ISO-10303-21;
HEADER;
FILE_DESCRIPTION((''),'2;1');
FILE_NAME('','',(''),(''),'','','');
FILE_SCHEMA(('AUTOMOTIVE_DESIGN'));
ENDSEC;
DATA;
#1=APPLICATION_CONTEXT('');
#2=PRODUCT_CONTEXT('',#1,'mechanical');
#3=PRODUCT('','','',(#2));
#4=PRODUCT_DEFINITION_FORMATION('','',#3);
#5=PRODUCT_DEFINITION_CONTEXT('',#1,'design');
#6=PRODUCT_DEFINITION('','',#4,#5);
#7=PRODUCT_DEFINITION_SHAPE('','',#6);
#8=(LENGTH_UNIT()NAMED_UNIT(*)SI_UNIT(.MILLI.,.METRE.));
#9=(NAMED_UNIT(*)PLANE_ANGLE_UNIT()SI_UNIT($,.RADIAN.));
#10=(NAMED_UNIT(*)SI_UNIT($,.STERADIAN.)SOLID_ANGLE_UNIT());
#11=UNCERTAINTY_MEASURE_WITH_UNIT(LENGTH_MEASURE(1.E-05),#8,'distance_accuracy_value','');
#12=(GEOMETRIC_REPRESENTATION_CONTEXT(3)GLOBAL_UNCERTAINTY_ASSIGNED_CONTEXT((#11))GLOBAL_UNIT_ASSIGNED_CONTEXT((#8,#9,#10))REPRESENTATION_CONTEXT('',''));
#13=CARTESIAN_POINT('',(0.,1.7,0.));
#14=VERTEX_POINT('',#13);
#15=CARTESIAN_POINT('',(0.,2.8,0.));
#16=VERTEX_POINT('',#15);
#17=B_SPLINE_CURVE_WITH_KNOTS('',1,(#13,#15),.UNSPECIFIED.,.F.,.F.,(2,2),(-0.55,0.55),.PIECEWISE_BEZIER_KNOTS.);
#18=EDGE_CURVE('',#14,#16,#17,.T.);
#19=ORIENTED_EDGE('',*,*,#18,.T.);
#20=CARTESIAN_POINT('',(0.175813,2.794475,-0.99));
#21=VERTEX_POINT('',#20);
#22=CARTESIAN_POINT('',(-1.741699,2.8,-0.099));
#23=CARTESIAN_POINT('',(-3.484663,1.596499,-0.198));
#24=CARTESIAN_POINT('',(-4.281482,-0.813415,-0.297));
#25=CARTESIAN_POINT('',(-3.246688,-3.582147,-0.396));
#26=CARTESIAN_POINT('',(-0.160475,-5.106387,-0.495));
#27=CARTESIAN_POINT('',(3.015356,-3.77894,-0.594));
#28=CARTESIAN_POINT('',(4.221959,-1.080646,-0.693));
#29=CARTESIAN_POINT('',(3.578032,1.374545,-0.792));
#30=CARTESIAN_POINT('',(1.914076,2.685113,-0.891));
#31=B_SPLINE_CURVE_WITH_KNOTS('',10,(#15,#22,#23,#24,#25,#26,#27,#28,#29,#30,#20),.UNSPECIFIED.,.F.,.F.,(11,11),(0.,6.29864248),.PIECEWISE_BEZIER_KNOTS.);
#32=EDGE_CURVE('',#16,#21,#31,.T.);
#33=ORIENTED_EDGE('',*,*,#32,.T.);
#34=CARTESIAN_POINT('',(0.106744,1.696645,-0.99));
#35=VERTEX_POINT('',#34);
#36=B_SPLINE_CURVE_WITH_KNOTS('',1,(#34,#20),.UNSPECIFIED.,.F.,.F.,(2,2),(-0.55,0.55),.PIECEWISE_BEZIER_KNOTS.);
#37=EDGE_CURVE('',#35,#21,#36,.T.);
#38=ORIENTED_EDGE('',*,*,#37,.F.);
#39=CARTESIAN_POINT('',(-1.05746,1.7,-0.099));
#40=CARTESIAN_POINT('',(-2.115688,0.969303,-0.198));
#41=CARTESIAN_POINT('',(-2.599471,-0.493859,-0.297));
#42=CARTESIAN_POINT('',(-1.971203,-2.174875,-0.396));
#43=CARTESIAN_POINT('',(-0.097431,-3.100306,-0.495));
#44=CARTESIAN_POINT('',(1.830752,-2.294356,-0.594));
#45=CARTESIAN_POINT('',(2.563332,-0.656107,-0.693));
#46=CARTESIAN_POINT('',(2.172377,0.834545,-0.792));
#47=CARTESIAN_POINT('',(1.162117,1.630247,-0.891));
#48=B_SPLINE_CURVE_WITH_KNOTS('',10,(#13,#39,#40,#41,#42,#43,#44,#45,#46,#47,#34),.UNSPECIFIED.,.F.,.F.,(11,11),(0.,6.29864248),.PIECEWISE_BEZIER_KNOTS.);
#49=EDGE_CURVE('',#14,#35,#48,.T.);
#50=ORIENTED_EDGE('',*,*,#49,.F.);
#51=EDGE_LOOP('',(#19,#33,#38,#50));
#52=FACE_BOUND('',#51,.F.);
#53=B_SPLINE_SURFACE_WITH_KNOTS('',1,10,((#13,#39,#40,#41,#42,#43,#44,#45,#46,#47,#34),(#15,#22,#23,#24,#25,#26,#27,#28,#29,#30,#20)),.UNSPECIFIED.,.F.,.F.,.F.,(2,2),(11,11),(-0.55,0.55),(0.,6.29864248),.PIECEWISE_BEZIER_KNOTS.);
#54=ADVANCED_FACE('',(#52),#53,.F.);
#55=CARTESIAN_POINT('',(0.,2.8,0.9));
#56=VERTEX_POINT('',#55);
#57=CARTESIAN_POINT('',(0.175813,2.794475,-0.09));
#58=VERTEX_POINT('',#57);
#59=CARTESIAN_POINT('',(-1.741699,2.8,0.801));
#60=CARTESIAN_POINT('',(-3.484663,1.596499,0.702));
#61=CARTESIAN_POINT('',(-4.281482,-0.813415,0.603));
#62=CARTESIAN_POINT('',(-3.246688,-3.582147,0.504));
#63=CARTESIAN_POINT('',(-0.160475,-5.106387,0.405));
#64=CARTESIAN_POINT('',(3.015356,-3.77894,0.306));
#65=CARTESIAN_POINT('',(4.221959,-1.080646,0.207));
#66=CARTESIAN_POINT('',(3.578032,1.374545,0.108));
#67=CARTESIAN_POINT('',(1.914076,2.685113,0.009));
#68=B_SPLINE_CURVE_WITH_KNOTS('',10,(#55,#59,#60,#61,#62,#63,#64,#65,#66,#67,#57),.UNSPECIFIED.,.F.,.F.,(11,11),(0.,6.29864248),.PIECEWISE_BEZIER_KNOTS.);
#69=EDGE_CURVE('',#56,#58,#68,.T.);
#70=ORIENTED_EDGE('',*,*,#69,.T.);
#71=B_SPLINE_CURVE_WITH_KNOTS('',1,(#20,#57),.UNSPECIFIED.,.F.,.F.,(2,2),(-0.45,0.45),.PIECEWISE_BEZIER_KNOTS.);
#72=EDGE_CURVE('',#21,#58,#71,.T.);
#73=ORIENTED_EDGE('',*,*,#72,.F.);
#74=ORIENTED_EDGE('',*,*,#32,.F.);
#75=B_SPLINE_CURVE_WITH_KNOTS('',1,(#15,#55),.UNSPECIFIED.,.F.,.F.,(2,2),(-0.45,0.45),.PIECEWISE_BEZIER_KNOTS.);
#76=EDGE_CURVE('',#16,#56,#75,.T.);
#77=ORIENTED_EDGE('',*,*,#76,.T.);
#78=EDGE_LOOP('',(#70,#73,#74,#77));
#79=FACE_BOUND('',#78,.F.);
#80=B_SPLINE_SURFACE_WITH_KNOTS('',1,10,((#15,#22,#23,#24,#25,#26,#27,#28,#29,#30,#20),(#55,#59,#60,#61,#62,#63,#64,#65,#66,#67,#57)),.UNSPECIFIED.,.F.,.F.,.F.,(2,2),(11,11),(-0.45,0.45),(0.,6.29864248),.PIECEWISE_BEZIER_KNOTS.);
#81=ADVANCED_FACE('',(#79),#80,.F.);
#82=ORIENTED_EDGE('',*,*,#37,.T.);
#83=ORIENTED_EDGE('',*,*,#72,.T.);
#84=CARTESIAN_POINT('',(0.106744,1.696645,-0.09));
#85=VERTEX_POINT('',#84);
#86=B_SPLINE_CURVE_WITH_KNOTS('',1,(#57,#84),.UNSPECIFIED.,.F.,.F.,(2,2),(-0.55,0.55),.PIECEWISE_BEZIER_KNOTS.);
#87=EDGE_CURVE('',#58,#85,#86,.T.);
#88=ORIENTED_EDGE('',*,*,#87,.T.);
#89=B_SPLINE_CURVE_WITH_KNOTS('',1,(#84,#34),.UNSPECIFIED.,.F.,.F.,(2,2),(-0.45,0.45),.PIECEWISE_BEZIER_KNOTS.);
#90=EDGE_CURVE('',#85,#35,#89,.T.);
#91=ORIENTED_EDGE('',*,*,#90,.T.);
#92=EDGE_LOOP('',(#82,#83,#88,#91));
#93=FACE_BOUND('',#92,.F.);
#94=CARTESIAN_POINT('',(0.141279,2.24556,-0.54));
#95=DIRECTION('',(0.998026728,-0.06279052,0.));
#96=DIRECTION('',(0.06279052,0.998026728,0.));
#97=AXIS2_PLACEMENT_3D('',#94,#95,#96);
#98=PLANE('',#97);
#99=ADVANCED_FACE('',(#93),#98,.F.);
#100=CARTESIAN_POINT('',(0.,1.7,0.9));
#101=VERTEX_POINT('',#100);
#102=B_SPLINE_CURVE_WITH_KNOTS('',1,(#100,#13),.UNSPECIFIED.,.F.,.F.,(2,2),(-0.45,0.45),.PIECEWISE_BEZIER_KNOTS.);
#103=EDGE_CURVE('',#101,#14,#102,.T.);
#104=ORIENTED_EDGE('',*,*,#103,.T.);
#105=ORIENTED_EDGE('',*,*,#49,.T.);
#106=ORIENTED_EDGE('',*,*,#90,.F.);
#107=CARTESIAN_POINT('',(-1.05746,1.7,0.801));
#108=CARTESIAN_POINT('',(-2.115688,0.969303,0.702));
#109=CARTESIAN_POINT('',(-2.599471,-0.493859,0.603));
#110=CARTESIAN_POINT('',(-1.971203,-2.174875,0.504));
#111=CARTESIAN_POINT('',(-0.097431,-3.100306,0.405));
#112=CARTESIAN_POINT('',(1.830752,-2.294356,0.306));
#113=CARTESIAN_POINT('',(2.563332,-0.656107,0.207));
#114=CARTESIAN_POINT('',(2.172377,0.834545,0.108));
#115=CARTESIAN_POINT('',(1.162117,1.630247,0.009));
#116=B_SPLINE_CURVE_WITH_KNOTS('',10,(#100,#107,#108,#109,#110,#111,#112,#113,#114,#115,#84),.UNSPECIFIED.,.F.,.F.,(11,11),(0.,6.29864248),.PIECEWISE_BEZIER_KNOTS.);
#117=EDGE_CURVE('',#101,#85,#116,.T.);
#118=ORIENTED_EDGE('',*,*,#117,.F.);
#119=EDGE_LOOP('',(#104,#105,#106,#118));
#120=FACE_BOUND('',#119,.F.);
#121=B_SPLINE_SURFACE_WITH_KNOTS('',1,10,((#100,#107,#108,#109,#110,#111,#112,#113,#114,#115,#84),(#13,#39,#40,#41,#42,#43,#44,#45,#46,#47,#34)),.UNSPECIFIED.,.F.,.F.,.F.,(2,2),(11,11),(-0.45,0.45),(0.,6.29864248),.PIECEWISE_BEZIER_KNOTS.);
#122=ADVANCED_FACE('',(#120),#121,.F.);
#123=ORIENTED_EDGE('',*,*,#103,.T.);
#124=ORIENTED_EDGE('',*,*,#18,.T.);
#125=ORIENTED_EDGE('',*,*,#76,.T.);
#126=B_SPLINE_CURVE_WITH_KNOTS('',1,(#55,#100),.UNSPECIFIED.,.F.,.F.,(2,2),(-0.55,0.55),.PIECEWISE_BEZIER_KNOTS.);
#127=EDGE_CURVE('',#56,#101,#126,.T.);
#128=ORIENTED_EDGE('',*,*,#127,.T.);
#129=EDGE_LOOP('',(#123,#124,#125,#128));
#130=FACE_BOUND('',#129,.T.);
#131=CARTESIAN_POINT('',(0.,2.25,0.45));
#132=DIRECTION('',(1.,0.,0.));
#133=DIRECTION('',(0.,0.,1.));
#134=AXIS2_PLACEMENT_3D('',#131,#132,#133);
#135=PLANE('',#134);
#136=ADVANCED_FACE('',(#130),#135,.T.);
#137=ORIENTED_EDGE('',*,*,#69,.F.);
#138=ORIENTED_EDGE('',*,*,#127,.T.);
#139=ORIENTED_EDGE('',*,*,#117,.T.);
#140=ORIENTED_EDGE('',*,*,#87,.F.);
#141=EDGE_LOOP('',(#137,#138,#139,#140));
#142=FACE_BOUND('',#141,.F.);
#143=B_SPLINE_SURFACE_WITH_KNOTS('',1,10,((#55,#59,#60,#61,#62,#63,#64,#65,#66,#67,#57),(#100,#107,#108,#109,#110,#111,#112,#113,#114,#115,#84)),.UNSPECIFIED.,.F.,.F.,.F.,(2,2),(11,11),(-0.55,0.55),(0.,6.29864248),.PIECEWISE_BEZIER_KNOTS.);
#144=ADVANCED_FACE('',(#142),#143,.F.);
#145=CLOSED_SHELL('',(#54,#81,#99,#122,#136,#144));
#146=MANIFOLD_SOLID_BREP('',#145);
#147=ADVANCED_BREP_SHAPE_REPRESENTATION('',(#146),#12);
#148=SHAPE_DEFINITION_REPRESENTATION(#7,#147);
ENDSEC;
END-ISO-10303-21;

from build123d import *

# Parameters (mm, degrees)
SWEEP1_PITCH       = 1
SWEEP1_HEIGHT      = 0.99
SWEEP1_RADIUS      = 2.8
SWEEP1_START_ANGLE = 90
SKETCH2_W          = 0.9
SKETCH2_H          = 1.1


with BuildPart() as part:
    # Sweep1: sweep along a helix
    with BuildLine() as sweep1_path:
        add(Helix(SWEEP1_PITCH, SWEEP1_HEIGHT, SWEEP1_RADIUS, center=(0, 0, 0), direction=(0, 0, -1), lefthand=True, mode=Mode.PRIVATE).rotate(Axis((0, 0, 0), (0, 0, -1)), SWEEP1_START_ANGLE))
    # Sketch2 → Sweep1 (sweep)
    with BuildSketch(Plane(origin=(0, 0, 0), x_dir=(0, 0, -1), z_dir=(1, 0, 0))):
        with Locations((-0.45, 2.25)):
            Rectangle(SKETCH2_W, SKETCH2_H)
    sweep(path=sweep1_path.line, is_frenet=True)


solid = part.part
